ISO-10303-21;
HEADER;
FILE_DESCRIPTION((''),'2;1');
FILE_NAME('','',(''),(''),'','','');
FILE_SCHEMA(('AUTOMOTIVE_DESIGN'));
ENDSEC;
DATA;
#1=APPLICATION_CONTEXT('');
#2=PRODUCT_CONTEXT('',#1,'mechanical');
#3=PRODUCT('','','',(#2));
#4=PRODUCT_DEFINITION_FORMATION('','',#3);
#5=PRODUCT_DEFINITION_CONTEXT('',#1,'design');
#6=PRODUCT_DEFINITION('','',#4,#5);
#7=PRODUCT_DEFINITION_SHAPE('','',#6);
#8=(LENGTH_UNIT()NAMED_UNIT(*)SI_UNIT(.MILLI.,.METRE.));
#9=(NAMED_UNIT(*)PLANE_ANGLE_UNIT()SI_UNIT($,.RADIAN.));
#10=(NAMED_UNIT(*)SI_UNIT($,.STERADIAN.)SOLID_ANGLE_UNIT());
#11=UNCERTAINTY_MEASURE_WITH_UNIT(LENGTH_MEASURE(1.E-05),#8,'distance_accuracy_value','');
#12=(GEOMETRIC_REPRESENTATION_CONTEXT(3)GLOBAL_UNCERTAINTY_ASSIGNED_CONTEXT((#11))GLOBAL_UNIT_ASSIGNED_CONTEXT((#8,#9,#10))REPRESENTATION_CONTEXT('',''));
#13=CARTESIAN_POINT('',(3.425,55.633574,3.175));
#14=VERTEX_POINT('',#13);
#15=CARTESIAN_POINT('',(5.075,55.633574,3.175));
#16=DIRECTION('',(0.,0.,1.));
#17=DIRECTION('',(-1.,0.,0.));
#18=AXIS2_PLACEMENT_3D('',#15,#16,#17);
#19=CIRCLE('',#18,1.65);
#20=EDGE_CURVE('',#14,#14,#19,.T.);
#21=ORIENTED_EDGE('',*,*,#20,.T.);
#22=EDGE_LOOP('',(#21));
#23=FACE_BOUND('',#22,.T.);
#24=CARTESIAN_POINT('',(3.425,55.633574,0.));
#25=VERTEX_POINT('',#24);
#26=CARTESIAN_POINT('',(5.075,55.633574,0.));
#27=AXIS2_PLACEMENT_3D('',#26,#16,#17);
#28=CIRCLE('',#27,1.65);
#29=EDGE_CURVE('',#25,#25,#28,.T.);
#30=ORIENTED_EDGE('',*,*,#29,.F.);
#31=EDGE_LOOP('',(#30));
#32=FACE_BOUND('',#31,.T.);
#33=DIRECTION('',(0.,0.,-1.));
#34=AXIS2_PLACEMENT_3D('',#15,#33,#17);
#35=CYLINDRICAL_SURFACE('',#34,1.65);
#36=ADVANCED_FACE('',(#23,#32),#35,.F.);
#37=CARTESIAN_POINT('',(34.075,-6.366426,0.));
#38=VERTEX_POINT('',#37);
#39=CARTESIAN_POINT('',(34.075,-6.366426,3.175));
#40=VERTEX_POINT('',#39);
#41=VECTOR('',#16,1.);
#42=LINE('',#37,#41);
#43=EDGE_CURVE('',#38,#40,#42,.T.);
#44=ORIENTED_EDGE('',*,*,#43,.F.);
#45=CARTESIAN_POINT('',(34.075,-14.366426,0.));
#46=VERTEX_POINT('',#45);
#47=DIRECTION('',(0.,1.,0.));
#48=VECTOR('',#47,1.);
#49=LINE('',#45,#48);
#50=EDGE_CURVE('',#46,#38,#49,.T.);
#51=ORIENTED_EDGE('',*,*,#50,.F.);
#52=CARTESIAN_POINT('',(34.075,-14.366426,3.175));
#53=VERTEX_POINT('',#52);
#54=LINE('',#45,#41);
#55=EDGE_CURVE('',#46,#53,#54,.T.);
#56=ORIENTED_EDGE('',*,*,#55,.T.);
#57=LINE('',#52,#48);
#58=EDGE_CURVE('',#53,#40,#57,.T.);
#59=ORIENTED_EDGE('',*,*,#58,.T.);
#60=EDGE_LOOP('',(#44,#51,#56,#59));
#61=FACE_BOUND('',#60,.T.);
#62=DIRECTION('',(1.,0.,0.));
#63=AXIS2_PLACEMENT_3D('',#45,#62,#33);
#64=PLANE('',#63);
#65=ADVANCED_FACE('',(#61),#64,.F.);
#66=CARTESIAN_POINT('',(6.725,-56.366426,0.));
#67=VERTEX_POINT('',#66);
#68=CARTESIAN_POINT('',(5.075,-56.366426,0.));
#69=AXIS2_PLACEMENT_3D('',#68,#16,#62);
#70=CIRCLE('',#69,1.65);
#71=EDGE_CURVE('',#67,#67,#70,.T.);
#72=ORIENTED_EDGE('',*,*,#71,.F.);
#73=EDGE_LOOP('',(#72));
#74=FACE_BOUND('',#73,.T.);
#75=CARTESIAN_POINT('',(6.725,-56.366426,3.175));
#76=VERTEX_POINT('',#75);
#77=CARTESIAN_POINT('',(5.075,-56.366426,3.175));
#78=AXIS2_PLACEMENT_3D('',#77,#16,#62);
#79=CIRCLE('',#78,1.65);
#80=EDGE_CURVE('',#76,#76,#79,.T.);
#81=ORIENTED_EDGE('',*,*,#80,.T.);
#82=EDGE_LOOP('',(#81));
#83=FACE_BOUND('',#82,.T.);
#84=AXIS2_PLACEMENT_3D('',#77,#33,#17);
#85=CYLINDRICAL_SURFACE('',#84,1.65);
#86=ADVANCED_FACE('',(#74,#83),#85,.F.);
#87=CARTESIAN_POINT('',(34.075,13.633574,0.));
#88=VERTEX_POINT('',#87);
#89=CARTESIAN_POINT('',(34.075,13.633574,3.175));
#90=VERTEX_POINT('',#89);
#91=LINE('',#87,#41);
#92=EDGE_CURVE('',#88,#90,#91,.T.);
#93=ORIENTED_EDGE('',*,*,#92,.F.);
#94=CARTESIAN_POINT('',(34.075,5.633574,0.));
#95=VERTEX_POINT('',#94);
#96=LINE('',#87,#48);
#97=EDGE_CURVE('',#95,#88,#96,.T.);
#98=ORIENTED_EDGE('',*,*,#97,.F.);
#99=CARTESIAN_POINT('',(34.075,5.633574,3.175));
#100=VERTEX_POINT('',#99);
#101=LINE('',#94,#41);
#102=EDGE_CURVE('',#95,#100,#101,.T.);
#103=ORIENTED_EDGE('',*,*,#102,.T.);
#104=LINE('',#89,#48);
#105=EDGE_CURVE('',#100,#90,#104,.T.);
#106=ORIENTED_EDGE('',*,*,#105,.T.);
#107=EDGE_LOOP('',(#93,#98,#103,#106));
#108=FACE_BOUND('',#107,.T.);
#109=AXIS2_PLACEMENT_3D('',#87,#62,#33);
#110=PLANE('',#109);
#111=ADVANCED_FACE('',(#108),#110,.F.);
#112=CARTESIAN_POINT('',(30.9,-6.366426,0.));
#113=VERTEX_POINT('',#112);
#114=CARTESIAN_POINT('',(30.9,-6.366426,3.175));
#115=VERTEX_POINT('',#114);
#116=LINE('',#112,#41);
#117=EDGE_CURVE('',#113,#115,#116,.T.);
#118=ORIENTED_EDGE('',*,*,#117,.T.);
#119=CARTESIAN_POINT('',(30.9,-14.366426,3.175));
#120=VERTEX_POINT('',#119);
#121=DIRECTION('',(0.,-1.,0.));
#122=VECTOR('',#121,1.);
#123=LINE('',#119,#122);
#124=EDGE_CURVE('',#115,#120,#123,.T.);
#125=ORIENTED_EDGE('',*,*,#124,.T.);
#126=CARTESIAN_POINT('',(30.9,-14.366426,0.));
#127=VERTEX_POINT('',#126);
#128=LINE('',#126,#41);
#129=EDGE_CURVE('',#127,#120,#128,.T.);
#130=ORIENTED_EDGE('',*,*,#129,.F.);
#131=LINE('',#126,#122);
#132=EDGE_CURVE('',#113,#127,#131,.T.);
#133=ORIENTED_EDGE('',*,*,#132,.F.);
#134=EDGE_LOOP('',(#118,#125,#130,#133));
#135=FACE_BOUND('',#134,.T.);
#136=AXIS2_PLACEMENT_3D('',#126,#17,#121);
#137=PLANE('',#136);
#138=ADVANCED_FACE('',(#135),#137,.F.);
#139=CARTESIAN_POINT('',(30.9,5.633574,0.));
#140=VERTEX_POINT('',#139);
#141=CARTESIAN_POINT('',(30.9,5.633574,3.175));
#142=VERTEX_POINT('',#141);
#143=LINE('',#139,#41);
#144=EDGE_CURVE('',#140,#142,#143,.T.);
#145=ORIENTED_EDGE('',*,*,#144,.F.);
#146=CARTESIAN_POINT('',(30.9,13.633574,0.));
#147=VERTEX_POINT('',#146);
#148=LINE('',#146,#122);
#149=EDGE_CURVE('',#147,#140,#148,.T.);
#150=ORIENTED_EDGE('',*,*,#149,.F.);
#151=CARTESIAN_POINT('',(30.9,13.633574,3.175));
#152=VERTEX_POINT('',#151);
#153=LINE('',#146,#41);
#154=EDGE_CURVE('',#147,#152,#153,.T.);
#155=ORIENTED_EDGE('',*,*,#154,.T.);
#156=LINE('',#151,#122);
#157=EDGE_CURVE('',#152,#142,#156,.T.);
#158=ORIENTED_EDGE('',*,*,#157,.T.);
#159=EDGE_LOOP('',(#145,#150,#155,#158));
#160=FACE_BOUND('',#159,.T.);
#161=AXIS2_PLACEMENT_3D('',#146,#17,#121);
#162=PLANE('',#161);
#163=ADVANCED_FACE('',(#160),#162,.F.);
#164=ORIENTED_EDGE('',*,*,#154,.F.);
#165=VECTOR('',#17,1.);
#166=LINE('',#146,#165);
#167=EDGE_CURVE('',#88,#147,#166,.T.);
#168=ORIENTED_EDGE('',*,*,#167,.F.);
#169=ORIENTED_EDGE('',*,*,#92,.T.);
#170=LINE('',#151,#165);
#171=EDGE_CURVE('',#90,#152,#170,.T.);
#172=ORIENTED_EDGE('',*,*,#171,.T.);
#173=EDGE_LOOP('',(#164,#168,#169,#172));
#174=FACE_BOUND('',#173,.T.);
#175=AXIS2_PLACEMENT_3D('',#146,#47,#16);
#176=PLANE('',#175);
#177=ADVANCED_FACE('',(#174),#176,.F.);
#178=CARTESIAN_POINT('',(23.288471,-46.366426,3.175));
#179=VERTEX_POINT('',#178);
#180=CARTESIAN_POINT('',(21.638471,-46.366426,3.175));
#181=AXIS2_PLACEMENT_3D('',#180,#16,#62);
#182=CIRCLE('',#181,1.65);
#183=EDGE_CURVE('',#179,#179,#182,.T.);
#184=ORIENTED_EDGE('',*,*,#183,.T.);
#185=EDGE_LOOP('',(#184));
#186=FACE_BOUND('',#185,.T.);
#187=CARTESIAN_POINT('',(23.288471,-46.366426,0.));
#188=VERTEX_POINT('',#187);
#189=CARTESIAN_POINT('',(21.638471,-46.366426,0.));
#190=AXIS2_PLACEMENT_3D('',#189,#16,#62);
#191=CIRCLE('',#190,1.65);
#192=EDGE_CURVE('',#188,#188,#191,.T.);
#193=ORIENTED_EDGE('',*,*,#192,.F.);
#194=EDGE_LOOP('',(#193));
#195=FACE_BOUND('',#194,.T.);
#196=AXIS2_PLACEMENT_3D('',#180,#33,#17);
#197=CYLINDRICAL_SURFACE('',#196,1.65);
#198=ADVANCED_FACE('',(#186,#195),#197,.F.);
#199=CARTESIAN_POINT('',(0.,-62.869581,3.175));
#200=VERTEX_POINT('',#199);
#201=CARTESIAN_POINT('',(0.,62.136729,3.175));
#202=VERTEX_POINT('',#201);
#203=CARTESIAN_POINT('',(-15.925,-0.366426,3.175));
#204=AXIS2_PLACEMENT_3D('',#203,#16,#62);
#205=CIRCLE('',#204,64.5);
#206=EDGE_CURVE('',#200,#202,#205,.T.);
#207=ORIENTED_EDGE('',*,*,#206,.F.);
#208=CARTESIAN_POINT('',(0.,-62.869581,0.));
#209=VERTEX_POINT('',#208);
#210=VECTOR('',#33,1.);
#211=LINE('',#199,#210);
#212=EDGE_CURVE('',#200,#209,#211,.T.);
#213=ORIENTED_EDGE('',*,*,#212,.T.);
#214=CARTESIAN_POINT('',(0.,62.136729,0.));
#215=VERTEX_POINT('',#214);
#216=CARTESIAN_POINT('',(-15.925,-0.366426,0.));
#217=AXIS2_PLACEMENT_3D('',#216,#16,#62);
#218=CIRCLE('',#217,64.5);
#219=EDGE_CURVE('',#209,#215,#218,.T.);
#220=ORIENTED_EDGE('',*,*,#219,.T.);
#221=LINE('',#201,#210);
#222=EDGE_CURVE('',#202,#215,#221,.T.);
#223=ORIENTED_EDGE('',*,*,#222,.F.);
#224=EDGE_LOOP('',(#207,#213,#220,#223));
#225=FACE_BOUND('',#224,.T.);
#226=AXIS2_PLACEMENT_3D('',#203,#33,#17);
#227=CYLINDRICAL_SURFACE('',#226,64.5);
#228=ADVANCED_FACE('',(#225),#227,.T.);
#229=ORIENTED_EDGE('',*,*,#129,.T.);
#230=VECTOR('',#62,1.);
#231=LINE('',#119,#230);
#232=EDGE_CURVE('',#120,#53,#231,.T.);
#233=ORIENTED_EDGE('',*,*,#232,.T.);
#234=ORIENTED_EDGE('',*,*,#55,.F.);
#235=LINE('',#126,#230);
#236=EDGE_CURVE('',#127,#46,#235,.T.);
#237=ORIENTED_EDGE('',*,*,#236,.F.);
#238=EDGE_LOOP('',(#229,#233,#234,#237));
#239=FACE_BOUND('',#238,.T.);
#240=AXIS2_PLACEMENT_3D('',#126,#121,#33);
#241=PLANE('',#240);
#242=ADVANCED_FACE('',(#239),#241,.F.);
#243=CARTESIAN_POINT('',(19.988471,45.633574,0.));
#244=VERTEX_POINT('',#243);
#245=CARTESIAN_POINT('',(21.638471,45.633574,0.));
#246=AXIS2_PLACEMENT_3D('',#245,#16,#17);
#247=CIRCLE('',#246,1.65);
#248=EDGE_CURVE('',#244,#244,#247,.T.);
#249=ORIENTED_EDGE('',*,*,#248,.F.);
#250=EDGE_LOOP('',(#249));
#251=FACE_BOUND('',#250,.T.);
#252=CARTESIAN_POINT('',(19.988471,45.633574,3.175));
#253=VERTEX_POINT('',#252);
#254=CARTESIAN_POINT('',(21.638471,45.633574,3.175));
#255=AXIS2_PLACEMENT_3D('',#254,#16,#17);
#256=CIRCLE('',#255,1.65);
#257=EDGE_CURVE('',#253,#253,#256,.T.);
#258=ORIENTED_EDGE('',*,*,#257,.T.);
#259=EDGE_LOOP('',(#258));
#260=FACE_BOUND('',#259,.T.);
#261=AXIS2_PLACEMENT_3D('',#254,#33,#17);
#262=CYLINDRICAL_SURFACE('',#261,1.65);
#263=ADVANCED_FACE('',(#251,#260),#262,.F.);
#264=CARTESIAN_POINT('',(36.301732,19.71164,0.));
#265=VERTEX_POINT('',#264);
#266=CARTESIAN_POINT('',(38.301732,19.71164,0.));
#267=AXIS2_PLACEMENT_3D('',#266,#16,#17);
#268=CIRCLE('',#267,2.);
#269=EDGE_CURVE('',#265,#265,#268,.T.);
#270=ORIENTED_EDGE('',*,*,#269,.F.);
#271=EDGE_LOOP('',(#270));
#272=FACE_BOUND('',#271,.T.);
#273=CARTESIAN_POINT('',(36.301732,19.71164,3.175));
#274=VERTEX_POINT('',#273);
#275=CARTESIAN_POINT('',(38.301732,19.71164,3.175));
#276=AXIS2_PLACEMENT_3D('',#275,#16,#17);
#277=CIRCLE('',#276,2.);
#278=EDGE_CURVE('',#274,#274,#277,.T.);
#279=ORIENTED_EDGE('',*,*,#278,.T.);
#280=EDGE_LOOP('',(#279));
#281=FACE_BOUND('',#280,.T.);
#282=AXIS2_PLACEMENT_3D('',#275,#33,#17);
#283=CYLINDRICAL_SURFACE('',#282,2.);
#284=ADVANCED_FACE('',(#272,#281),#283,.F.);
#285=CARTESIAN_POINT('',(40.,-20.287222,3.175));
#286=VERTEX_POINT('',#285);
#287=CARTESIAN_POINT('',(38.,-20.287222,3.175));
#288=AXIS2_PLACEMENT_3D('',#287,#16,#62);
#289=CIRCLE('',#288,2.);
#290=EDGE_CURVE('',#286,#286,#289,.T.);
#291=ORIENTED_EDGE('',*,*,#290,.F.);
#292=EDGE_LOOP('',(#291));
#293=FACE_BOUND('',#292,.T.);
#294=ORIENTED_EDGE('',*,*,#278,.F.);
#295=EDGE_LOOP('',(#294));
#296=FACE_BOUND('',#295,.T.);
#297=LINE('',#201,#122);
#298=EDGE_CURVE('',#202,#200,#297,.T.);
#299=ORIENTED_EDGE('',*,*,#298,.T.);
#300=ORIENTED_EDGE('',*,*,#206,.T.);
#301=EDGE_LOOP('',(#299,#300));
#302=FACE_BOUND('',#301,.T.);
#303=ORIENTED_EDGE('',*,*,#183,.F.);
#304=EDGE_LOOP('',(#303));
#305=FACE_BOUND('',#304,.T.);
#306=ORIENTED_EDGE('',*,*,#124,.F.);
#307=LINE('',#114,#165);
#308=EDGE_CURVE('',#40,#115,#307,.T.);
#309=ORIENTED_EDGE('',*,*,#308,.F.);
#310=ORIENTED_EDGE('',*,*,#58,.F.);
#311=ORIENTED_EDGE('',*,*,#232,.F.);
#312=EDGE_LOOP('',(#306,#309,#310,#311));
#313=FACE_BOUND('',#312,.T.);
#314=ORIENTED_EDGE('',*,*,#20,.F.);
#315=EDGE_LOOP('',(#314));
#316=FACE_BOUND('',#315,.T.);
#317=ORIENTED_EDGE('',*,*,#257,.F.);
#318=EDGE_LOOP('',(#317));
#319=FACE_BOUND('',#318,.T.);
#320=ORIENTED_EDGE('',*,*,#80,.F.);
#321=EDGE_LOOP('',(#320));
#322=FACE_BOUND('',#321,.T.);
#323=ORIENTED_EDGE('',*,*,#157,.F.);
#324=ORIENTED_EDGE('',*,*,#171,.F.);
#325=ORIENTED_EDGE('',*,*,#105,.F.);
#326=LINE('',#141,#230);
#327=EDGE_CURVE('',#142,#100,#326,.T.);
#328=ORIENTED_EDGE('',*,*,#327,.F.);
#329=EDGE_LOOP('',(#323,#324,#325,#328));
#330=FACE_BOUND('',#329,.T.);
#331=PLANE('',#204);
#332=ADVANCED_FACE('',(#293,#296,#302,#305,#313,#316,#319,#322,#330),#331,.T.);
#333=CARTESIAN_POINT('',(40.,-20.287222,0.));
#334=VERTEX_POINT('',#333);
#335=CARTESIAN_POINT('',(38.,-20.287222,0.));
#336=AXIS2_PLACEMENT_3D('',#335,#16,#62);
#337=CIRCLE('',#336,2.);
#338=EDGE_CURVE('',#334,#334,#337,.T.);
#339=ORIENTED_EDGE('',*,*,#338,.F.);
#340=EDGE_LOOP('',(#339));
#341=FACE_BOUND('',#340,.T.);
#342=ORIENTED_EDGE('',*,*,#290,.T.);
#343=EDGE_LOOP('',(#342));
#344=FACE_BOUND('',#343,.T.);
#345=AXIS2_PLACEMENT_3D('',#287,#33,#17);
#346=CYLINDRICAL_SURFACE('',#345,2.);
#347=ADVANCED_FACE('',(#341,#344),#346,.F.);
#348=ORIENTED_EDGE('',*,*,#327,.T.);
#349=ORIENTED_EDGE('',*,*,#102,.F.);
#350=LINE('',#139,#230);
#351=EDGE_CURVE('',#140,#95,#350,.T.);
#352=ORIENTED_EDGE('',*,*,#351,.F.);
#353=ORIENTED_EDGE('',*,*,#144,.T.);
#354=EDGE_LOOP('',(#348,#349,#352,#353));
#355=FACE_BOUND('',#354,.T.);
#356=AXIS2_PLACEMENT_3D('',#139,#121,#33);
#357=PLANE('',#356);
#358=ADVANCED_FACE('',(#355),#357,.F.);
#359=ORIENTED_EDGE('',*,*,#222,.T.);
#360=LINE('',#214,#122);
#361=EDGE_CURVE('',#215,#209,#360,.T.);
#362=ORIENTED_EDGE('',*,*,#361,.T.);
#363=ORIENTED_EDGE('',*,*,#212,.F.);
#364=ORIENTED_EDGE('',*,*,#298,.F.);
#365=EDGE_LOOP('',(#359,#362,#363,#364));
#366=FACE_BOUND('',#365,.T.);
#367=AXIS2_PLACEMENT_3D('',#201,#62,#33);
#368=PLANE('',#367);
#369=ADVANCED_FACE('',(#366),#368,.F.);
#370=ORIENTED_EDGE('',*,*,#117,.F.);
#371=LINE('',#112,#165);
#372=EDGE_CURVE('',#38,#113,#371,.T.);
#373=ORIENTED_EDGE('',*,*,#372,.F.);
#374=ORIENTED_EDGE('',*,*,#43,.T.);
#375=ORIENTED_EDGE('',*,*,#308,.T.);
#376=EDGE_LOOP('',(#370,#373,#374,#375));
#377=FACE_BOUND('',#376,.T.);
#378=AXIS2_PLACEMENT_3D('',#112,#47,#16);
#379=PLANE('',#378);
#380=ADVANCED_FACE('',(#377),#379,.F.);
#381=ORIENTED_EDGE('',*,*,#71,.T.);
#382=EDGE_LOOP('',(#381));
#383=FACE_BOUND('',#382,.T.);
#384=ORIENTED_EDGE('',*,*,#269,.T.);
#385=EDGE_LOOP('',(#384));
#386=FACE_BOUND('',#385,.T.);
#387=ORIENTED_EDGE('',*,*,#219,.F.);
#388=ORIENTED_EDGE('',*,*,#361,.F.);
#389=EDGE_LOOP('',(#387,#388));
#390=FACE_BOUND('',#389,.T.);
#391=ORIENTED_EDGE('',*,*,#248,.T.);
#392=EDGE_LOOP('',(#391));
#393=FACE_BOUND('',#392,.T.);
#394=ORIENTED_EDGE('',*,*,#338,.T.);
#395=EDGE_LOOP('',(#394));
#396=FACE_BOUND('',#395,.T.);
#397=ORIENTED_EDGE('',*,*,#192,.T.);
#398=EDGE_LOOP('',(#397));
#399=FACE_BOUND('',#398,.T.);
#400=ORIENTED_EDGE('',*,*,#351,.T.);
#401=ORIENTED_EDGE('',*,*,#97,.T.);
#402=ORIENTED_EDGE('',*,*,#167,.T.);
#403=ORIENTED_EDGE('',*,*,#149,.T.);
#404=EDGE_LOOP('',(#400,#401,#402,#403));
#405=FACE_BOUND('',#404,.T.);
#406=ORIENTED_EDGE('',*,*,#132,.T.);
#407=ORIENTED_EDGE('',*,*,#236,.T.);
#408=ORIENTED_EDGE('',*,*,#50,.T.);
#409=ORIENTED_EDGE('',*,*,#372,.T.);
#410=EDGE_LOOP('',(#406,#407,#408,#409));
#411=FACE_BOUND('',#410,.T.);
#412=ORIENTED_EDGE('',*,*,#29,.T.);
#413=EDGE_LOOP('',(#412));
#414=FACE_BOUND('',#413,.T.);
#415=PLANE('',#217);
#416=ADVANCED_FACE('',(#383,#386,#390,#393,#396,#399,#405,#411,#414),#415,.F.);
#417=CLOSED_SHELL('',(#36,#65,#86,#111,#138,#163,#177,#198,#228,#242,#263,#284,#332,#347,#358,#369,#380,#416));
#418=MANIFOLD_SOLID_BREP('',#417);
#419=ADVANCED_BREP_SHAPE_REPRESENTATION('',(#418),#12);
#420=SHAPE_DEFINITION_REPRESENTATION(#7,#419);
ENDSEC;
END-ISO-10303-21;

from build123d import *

# Parameters (mm, degrees)
SKETCH1_R           = 1.65
SKETCH1_R_2         = 2
BOSS_EXTRUDE1_DEPTH = 3.175
SKETCH2_W           = 3.175
SKETCH2_H           = 8
CUT_EXTRUDE1_DEPTH  = 4.175


with BuildPart() as part:
    # Sketch1 → Boss-Extrude1 (new body)
    with BuildSketch(Plane(origin=(0, 0, 0), x_dir=(-1, 0, 0), z_dir=(0, 0, 1))):
        with BuildLine():
            Line((0, -62.136729163), (0, 62.869580678))
            ThreePointArc((0, 62.869580678), (-48.575, 0.366425758), (0, -62.136729163))
        make_face()
        with Locations((-5.075, 56.366425758)):
            Circle(SKETCH1_R, mode=Mode.SUBTRACT)
        with Locations((-21.638471196, 46.366425758)):
            Circle(SKETCH1_R, mode=Mode.SUBTRACT)
        with Locations((-5.075, -55.633574242)):
            Circle(SKETCH1_R, mode=Mode.SUBTRACT)
        with Locations((-21.638471196, -45.633574242)):
            Circle(SKETCH1_R, mode=Mode.SUBTRACT)
        with Locations((-38, 20.287222228)):
            Circle(SKETCH1_R_2, mode=Mode.SUBTRACT)
        with Locations((-38.301731617, -19.711639731)):
            Circle(SKETCH1_R_2, mode=Mode.SUBTRACT)
    extrude(amount=BOSS_EXTRUDE1_DEPTH)

    # Sketch2 → Cut-Extrude1 (cut, through all)
    with BuildSketch(Plane.XY.offset(3.175)):
        with Locations((32.4875, 9.633574242)):
            Rectangle(SKETCH2_W, SKETCH2_H)
        with Locations((32.4875, -10.366425758)):
            Rectangle(SKETCH2_W, SKETCH2_H)
    extrude(amount=-CUT_EXTRUDE1_DEPTH, mode=Mode.SUBTRACT)


solid = part.part
